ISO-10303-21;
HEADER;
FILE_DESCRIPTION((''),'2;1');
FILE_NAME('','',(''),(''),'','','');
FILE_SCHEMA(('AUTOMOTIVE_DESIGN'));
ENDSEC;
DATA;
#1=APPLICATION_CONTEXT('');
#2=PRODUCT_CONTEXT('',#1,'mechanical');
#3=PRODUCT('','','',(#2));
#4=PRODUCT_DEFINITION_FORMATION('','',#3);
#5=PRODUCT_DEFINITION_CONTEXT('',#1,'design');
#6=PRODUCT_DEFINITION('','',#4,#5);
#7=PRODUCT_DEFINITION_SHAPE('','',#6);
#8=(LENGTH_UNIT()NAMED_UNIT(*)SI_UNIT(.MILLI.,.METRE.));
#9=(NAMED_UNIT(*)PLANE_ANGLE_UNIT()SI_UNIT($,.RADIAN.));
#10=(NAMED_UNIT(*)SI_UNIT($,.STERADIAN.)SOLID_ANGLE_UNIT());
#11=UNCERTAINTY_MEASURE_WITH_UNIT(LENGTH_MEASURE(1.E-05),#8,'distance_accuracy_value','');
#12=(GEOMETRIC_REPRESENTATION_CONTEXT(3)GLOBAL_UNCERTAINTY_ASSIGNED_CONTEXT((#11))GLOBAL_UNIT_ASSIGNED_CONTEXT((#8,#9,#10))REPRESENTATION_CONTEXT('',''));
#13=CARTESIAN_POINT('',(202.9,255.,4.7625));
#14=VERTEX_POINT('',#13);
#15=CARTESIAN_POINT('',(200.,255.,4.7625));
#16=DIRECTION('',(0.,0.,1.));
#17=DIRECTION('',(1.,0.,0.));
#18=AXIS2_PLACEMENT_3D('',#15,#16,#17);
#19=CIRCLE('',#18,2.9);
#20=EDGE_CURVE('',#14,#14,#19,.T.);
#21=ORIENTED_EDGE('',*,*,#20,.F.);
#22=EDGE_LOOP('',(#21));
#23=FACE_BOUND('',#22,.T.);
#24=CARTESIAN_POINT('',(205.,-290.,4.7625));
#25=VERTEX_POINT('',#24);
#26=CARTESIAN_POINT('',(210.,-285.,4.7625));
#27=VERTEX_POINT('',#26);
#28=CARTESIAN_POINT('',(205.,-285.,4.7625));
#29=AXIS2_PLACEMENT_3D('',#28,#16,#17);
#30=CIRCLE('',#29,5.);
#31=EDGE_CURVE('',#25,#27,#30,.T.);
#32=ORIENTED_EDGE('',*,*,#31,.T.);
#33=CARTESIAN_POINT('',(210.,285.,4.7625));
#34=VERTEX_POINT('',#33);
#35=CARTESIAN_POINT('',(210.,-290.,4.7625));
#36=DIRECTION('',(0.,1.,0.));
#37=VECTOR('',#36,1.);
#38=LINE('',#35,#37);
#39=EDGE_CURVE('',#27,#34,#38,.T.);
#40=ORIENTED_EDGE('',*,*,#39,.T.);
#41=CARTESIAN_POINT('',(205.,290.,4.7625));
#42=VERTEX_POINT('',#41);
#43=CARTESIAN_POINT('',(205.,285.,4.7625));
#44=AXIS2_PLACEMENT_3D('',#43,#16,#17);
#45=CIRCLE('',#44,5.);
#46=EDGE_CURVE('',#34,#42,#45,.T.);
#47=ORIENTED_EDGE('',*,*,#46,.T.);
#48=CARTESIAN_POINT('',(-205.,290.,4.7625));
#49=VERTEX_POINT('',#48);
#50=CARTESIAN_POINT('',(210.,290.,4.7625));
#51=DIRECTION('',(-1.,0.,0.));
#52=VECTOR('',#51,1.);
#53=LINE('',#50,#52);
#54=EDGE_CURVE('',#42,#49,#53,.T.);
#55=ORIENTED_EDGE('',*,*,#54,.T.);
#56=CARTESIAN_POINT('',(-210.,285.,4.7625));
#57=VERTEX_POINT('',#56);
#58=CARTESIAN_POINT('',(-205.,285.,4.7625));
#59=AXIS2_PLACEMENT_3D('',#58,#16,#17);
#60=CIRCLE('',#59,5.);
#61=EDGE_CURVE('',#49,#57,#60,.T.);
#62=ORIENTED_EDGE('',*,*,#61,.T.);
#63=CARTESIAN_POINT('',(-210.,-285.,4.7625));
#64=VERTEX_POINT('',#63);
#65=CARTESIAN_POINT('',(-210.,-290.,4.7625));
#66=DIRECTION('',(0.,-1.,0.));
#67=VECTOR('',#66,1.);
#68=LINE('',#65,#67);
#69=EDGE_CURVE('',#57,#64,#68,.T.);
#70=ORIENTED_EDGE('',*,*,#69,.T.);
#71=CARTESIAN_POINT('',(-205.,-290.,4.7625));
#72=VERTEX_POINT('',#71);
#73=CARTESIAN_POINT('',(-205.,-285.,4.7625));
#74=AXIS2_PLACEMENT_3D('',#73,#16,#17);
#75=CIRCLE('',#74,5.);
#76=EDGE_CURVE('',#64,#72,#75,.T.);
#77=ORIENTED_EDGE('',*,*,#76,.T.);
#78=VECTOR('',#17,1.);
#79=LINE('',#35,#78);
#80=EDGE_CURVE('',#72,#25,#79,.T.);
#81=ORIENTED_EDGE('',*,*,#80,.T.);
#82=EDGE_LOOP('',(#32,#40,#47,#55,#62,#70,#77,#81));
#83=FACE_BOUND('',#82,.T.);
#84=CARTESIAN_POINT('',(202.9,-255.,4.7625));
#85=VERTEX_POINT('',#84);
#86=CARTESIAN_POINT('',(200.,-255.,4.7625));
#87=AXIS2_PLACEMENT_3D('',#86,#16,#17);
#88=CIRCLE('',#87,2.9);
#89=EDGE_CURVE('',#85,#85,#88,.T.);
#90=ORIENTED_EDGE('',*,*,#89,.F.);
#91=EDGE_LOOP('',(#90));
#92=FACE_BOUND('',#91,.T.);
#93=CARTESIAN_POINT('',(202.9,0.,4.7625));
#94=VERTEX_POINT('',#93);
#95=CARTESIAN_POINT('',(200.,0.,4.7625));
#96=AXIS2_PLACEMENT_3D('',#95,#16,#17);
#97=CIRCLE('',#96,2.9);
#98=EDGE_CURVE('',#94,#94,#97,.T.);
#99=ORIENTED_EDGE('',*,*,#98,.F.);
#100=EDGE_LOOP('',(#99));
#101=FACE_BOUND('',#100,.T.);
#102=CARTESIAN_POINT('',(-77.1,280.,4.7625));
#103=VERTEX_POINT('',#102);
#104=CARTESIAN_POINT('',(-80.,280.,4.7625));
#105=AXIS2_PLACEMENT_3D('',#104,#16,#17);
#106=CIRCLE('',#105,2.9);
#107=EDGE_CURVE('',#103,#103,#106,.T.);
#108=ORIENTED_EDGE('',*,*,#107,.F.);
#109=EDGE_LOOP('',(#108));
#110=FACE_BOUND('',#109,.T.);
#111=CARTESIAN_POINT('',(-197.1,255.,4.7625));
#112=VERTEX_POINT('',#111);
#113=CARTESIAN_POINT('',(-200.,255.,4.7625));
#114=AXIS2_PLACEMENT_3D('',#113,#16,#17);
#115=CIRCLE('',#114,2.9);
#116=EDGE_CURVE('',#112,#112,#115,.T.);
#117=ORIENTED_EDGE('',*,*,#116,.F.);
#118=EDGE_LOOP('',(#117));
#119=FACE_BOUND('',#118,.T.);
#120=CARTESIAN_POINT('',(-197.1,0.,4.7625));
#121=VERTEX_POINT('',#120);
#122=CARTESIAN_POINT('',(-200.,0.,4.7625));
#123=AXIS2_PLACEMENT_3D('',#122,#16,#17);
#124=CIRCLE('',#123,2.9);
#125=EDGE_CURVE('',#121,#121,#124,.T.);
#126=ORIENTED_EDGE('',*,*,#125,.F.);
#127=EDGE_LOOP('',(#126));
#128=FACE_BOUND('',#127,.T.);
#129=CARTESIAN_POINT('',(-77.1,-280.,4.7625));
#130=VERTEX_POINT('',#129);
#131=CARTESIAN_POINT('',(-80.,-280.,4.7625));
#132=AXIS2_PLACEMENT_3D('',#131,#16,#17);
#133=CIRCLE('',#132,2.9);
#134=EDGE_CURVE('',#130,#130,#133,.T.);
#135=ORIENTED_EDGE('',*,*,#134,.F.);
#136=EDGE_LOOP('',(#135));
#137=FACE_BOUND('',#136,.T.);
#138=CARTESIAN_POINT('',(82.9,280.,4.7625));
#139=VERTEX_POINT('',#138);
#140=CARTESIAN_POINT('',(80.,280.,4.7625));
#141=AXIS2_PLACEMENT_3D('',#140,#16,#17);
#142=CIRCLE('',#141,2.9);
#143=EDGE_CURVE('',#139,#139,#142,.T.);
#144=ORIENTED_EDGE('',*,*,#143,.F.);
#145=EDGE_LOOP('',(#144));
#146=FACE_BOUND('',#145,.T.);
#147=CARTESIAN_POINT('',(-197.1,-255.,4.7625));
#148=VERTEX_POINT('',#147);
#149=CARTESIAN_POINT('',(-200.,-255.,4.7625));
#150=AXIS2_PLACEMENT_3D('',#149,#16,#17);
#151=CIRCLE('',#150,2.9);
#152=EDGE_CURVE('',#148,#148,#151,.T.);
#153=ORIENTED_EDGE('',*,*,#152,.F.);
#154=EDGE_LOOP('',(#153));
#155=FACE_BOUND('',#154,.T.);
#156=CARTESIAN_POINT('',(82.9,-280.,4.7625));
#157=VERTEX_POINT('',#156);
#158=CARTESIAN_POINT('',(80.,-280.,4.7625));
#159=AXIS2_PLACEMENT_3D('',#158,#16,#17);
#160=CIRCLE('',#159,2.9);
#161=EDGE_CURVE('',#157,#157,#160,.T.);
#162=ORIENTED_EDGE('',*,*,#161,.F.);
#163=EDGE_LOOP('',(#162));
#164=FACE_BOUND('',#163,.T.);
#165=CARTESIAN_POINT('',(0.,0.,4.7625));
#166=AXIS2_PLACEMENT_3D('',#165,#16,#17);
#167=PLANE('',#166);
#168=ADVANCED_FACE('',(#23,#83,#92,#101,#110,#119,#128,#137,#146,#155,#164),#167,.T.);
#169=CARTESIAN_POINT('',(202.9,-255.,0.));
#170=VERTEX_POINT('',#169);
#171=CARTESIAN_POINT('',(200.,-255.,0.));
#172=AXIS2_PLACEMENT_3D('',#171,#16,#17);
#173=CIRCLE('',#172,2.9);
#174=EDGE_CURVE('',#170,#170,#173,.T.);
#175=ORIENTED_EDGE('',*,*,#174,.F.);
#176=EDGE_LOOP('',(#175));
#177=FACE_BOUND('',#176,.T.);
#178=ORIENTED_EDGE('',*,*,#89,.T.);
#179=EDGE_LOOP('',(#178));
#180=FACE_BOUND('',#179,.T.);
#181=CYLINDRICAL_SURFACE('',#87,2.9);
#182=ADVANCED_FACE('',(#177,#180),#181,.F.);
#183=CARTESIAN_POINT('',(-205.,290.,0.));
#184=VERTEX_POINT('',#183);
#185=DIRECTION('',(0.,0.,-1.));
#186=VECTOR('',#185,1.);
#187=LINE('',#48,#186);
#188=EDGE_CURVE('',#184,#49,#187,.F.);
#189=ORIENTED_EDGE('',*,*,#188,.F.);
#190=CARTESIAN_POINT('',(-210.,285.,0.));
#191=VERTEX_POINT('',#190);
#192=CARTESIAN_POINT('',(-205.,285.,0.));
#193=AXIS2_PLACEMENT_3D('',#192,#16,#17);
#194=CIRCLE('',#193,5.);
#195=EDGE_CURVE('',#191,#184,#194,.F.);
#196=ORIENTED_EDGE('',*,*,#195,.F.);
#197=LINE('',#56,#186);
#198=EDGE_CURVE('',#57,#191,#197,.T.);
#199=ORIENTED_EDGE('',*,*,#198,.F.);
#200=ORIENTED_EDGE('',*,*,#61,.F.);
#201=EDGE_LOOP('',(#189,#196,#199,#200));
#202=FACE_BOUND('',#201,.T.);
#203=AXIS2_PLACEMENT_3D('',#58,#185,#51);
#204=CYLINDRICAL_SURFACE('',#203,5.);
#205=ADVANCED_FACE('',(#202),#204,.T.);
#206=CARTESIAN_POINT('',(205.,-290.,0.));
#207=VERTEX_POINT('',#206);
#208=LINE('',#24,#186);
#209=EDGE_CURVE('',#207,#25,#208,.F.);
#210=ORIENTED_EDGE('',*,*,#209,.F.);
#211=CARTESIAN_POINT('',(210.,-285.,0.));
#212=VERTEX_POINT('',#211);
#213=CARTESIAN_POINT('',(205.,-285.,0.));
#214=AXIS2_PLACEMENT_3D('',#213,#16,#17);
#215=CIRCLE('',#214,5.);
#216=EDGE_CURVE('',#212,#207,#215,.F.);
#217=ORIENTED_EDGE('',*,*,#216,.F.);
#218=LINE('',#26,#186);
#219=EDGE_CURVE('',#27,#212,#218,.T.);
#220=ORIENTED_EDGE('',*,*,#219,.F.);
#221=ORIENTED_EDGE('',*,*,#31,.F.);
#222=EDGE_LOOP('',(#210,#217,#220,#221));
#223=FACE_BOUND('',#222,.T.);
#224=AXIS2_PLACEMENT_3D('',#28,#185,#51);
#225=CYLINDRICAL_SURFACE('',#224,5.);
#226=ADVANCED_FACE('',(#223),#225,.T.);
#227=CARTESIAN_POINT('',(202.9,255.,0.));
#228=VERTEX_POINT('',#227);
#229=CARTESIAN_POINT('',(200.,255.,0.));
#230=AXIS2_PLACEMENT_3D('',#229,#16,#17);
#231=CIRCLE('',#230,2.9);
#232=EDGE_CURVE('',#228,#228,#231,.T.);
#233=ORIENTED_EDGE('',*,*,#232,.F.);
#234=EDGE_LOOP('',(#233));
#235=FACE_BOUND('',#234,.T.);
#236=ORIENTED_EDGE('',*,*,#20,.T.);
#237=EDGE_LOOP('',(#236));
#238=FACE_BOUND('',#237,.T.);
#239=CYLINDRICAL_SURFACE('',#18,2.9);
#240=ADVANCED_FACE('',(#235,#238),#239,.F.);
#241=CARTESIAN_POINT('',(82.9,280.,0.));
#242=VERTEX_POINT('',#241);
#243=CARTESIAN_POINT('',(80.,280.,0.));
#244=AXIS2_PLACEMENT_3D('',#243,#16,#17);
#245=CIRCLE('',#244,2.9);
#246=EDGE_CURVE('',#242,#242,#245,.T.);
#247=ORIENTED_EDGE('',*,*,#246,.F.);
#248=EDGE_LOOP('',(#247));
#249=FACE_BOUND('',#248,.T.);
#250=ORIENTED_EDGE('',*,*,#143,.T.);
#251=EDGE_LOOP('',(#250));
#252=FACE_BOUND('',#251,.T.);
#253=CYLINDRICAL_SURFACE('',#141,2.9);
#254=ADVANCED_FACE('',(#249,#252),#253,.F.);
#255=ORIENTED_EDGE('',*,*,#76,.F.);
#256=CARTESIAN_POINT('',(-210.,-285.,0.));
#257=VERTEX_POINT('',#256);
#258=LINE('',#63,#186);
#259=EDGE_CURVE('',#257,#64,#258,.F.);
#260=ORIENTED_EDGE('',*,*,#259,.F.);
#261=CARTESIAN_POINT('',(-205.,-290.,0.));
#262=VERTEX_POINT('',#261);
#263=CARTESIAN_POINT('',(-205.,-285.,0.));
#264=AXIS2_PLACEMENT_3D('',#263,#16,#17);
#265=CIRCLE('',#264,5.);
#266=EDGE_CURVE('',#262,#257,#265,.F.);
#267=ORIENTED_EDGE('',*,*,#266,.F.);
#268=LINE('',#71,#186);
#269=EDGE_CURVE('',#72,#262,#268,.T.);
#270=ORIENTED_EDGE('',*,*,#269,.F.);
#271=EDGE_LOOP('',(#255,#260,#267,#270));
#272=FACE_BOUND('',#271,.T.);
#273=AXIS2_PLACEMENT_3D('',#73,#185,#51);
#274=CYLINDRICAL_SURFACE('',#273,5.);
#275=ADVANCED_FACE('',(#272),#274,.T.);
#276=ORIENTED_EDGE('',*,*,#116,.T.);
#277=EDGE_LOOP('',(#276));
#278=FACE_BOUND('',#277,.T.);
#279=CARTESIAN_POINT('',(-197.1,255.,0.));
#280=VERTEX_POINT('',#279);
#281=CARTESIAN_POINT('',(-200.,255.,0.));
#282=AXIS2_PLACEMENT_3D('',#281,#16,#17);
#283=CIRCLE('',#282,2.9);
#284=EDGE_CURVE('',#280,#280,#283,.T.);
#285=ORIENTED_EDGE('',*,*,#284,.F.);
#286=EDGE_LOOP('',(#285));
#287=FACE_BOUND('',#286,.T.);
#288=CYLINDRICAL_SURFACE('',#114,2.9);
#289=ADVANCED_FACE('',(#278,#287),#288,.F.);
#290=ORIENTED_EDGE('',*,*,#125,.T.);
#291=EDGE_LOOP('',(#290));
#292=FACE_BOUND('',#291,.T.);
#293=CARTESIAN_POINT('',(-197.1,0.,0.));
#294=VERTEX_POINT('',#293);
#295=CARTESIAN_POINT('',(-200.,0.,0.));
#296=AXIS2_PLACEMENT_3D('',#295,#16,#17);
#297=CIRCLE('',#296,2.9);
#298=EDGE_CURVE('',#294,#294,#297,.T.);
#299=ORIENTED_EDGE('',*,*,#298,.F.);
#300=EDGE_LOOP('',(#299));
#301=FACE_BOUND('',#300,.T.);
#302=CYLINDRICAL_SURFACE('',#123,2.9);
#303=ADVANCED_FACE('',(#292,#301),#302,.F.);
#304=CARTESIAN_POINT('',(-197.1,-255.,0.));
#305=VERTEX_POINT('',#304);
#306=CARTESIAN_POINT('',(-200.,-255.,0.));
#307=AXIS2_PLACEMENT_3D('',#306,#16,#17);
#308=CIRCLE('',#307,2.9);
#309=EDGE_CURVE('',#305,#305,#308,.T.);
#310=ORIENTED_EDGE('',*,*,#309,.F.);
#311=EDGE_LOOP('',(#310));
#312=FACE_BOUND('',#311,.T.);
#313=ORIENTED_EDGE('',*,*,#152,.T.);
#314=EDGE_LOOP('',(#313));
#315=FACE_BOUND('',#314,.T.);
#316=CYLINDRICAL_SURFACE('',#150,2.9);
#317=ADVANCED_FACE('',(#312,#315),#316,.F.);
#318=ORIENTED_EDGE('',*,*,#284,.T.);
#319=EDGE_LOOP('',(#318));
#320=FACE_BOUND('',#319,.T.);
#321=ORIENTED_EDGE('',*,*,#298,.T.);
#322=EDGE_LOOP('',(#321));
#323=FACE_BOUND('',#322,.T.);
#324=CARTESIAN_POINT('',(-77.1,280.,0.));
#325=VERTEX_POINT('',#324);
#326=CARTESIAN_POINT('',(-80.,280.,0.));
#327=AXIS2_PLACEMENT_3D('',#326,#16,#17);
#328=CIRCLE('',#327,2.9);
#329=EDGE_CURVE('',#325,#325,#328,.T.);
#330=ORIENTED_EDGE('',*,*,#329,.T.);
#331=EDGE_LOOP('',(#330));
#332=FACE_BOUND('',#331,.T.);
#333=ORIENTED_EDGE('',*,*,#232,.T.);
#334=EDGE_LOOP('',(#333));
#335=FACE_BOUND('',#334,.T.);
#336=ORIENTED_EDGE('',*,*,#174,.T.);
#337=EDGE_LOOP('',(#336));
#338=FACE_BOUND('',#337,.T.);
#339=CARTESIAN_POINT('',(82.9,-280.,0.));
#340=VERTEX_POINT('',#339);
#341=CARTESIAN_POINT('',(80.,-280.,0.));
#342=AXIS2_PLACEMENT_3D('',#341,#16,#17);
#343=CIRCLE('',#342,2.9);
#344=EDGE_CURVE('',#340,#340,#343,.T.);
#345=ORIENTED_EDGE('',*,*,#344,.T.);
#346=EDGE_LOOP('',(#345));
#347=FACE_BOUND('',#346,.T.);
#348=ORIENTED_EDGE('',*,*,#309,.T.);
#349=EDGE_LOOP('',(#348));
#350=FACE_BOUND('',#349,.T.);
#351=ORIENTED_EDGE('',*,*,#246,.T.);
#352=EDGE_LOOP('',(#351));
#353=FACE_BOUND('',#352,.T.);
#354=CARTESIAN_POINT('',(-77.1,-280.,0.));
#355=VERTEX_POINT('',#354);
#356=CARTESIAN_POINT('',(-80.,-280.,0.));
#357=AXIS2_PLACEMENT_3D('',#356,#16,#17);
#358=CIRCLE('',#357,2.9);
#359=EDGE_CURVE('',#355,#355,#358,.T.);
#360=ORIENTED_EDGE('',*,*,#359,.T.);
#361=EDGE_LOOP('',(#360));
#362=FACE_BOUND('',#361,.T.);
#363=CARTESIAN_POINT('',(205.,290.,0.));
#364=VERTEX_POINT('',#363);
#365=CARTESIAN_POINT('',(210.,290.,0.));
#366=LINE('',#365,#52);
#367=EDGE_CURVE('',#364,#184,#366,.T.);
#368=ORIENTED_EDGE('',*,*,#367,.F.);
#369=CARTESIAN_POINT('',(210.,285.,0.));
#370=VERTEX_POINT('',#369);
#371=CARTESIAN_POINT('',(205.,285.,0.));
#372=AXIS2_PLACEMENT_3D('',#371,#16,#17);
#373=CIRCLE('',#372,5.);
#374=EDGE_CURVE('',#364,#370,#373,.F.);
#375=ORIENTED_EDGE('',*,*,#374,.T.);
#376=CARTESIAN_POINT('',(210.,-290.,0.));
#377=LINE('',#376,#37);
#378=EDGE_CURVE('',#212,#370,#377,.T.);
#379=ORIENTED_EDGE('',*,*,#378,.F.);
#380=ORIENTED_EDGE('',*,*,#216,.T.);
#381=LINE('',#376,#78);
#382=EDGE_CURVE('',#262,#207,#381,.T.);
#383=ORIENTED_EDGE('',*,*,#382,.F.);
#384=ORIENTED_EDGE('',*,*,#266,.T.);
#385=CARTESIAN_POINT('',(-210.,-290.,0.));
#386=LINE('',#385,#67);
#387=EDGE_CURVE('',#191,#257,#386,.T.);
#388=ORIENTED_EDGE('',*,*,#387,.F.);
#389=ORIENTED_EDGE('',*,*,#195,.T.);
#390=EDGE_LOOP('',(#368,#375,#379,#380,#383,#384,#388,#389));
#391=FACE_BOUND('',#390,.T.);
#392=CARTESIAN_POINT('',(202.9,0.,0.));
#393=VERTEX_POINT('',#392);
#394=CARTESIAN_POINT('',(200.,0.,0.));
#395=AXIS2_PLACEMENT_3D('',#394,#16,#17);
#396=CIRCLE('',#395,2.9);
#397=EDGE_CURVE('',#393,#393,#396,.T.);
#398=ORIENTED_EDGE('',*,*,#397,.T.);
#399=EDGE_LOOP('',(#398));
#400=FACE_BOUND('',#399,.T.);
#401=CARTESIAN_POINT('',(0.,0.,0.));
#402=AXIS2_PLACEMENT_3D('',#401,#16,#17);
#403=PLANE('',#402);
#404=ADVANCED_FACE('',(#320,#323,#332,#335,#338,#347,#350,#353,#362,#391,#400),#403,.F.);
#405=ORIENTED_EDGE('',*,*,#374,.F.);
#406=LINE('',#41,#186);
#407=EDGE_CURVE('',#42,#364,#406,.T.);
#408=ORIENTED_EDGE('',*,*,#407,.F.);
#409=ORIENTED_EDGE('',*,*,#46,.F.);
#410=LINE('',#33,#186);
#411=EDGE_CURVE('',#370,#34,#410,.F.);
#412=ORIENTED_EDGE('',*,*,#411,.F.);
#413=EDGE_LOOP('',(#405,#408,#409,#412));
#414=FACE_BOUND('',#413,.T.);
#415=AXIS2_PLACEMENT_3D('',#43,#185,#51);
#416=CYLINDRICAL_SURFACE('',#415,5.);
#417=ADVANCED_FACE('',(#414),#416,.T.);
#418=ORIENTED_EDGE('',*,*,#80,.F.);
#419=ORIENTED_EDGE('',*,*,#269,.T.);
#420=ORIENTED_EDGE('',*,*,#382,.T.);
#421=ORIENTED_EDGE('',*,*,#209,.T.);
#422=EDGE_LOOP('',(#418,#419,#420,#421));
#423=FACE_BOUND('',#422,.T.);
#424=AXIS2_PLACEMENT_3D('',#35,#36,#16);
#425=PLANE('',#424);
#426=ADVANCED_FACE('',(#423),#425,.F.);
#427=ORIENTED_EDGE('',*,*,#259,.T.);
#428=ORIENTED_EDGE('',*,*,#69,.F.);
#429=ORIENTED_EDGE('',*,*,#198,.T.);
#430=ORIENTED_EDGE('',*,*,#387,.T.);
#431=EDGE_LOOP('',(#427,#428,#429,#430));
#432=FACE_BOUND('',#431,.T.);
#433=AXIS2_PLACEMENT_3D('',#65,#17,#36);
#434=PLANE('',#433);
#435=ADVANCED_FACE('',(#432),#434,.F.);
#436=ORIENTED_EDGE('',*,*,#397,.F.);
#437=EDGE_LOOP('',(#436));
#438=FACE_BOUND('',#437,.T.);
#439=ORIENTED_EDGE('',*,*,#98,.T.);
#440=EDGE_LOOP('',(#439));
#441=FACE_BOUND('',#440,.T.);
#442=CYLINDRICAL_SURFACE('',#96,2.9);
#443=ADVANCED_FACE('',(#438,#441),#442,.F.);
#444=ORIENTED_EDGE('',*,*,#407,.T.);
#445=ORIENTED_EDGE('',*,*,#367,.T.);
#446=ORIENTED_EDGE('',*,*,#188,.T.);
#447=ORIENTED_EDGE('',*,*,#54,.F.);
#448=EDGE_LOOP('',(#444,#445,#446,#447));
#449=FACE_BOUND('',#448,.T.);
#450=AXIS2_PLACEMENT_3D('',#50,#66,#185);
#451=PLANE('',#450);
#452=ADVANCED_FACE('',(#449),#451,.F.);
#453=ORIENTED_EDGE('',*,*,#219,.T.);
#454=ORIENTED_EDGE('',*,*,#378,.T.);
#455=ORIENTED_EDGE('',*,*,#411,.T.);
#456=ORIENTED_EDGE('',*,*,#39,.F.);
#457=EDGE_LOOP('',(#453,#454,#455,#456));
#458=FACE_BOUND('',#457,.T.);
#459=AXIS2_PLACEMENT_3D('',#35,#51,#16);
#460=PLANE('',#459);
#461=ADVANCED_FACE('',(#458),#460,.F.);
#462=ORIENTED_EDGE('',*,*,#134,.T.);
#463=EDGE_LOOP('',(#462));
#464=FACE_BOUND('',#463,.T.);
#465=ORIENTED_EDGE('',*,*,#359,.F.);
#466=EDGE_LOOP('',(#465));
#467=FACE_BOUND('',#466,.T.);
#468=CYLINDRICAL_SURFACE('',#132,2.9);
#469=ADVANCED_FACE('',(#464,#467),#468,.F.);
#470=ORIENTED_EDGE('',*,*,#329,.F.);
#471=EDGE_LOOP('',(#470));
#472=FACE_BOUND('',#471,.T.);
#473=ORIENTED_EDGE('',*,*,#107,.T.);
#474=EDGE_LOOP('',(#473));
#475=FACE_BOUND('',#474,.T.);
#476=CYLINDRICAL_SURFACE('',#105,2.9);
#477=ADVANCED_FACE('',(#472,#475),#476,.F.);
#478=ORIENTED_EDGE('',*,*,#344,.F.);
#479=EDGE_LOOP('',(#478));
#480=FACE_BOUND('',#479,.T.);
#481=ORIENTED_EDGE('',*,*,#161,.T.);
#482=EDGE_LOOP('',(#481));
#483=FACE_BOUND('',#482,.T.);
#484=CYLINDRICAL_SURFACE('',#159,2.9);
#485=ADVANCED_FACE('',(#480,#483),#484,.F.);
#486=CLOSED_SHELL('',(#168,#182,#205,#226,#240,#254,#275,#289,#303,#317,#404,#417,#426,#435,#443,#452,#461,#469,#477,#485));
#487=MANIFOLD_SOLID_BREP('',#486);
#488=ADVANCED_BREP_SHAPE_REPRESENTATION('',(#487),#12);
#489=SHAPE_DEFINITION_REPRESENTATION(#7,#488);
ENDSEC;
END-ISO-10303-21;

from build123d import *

# Parameters (mm, degrees)
SKETCH1_W            = 420
SKETCH1_H            = 580
BOSS_EXTRUDE1_DEPTH  = 4.7625
M5_CLEARANCE_HOLE1_D = 5.8
FILLET1_R            = 5


with BuildPart() as part:
    # Sketch1 → Boss-Extrude1 (new body)
    with BuildSketch(Plane.XY):
        Rectangle(SKETCH1_W, SKETCH1_H)
    extrude(amount=BOSS_EXTRUDE1_DEPTH)

    # M5 Clearance Hole1 (through all)
    with Locations(Plane.XY.offset(4.7625)):
        with Locations((-200, 255), (-200, 0), (-200, -255), (200, 255), (200, 0), (200, -255), (-80, 280), (80, 280), (80, -280), (-80, -280)):
            Hole(M5_CLEARANCE_HOLE1_D / 2)

    # Fillet1
    fillet1_edges = [part.edges().sort_by_distance(p)[0] for p in [
        (-210, 290, 2.38125),
        (210, 290, 2.38125),
        (210, -290, 2.38125),
        (-210, -290, 2.38125),
    ]]
    fillet(fillet1_edges, radius=FILLET1_R)


solid = part.part
